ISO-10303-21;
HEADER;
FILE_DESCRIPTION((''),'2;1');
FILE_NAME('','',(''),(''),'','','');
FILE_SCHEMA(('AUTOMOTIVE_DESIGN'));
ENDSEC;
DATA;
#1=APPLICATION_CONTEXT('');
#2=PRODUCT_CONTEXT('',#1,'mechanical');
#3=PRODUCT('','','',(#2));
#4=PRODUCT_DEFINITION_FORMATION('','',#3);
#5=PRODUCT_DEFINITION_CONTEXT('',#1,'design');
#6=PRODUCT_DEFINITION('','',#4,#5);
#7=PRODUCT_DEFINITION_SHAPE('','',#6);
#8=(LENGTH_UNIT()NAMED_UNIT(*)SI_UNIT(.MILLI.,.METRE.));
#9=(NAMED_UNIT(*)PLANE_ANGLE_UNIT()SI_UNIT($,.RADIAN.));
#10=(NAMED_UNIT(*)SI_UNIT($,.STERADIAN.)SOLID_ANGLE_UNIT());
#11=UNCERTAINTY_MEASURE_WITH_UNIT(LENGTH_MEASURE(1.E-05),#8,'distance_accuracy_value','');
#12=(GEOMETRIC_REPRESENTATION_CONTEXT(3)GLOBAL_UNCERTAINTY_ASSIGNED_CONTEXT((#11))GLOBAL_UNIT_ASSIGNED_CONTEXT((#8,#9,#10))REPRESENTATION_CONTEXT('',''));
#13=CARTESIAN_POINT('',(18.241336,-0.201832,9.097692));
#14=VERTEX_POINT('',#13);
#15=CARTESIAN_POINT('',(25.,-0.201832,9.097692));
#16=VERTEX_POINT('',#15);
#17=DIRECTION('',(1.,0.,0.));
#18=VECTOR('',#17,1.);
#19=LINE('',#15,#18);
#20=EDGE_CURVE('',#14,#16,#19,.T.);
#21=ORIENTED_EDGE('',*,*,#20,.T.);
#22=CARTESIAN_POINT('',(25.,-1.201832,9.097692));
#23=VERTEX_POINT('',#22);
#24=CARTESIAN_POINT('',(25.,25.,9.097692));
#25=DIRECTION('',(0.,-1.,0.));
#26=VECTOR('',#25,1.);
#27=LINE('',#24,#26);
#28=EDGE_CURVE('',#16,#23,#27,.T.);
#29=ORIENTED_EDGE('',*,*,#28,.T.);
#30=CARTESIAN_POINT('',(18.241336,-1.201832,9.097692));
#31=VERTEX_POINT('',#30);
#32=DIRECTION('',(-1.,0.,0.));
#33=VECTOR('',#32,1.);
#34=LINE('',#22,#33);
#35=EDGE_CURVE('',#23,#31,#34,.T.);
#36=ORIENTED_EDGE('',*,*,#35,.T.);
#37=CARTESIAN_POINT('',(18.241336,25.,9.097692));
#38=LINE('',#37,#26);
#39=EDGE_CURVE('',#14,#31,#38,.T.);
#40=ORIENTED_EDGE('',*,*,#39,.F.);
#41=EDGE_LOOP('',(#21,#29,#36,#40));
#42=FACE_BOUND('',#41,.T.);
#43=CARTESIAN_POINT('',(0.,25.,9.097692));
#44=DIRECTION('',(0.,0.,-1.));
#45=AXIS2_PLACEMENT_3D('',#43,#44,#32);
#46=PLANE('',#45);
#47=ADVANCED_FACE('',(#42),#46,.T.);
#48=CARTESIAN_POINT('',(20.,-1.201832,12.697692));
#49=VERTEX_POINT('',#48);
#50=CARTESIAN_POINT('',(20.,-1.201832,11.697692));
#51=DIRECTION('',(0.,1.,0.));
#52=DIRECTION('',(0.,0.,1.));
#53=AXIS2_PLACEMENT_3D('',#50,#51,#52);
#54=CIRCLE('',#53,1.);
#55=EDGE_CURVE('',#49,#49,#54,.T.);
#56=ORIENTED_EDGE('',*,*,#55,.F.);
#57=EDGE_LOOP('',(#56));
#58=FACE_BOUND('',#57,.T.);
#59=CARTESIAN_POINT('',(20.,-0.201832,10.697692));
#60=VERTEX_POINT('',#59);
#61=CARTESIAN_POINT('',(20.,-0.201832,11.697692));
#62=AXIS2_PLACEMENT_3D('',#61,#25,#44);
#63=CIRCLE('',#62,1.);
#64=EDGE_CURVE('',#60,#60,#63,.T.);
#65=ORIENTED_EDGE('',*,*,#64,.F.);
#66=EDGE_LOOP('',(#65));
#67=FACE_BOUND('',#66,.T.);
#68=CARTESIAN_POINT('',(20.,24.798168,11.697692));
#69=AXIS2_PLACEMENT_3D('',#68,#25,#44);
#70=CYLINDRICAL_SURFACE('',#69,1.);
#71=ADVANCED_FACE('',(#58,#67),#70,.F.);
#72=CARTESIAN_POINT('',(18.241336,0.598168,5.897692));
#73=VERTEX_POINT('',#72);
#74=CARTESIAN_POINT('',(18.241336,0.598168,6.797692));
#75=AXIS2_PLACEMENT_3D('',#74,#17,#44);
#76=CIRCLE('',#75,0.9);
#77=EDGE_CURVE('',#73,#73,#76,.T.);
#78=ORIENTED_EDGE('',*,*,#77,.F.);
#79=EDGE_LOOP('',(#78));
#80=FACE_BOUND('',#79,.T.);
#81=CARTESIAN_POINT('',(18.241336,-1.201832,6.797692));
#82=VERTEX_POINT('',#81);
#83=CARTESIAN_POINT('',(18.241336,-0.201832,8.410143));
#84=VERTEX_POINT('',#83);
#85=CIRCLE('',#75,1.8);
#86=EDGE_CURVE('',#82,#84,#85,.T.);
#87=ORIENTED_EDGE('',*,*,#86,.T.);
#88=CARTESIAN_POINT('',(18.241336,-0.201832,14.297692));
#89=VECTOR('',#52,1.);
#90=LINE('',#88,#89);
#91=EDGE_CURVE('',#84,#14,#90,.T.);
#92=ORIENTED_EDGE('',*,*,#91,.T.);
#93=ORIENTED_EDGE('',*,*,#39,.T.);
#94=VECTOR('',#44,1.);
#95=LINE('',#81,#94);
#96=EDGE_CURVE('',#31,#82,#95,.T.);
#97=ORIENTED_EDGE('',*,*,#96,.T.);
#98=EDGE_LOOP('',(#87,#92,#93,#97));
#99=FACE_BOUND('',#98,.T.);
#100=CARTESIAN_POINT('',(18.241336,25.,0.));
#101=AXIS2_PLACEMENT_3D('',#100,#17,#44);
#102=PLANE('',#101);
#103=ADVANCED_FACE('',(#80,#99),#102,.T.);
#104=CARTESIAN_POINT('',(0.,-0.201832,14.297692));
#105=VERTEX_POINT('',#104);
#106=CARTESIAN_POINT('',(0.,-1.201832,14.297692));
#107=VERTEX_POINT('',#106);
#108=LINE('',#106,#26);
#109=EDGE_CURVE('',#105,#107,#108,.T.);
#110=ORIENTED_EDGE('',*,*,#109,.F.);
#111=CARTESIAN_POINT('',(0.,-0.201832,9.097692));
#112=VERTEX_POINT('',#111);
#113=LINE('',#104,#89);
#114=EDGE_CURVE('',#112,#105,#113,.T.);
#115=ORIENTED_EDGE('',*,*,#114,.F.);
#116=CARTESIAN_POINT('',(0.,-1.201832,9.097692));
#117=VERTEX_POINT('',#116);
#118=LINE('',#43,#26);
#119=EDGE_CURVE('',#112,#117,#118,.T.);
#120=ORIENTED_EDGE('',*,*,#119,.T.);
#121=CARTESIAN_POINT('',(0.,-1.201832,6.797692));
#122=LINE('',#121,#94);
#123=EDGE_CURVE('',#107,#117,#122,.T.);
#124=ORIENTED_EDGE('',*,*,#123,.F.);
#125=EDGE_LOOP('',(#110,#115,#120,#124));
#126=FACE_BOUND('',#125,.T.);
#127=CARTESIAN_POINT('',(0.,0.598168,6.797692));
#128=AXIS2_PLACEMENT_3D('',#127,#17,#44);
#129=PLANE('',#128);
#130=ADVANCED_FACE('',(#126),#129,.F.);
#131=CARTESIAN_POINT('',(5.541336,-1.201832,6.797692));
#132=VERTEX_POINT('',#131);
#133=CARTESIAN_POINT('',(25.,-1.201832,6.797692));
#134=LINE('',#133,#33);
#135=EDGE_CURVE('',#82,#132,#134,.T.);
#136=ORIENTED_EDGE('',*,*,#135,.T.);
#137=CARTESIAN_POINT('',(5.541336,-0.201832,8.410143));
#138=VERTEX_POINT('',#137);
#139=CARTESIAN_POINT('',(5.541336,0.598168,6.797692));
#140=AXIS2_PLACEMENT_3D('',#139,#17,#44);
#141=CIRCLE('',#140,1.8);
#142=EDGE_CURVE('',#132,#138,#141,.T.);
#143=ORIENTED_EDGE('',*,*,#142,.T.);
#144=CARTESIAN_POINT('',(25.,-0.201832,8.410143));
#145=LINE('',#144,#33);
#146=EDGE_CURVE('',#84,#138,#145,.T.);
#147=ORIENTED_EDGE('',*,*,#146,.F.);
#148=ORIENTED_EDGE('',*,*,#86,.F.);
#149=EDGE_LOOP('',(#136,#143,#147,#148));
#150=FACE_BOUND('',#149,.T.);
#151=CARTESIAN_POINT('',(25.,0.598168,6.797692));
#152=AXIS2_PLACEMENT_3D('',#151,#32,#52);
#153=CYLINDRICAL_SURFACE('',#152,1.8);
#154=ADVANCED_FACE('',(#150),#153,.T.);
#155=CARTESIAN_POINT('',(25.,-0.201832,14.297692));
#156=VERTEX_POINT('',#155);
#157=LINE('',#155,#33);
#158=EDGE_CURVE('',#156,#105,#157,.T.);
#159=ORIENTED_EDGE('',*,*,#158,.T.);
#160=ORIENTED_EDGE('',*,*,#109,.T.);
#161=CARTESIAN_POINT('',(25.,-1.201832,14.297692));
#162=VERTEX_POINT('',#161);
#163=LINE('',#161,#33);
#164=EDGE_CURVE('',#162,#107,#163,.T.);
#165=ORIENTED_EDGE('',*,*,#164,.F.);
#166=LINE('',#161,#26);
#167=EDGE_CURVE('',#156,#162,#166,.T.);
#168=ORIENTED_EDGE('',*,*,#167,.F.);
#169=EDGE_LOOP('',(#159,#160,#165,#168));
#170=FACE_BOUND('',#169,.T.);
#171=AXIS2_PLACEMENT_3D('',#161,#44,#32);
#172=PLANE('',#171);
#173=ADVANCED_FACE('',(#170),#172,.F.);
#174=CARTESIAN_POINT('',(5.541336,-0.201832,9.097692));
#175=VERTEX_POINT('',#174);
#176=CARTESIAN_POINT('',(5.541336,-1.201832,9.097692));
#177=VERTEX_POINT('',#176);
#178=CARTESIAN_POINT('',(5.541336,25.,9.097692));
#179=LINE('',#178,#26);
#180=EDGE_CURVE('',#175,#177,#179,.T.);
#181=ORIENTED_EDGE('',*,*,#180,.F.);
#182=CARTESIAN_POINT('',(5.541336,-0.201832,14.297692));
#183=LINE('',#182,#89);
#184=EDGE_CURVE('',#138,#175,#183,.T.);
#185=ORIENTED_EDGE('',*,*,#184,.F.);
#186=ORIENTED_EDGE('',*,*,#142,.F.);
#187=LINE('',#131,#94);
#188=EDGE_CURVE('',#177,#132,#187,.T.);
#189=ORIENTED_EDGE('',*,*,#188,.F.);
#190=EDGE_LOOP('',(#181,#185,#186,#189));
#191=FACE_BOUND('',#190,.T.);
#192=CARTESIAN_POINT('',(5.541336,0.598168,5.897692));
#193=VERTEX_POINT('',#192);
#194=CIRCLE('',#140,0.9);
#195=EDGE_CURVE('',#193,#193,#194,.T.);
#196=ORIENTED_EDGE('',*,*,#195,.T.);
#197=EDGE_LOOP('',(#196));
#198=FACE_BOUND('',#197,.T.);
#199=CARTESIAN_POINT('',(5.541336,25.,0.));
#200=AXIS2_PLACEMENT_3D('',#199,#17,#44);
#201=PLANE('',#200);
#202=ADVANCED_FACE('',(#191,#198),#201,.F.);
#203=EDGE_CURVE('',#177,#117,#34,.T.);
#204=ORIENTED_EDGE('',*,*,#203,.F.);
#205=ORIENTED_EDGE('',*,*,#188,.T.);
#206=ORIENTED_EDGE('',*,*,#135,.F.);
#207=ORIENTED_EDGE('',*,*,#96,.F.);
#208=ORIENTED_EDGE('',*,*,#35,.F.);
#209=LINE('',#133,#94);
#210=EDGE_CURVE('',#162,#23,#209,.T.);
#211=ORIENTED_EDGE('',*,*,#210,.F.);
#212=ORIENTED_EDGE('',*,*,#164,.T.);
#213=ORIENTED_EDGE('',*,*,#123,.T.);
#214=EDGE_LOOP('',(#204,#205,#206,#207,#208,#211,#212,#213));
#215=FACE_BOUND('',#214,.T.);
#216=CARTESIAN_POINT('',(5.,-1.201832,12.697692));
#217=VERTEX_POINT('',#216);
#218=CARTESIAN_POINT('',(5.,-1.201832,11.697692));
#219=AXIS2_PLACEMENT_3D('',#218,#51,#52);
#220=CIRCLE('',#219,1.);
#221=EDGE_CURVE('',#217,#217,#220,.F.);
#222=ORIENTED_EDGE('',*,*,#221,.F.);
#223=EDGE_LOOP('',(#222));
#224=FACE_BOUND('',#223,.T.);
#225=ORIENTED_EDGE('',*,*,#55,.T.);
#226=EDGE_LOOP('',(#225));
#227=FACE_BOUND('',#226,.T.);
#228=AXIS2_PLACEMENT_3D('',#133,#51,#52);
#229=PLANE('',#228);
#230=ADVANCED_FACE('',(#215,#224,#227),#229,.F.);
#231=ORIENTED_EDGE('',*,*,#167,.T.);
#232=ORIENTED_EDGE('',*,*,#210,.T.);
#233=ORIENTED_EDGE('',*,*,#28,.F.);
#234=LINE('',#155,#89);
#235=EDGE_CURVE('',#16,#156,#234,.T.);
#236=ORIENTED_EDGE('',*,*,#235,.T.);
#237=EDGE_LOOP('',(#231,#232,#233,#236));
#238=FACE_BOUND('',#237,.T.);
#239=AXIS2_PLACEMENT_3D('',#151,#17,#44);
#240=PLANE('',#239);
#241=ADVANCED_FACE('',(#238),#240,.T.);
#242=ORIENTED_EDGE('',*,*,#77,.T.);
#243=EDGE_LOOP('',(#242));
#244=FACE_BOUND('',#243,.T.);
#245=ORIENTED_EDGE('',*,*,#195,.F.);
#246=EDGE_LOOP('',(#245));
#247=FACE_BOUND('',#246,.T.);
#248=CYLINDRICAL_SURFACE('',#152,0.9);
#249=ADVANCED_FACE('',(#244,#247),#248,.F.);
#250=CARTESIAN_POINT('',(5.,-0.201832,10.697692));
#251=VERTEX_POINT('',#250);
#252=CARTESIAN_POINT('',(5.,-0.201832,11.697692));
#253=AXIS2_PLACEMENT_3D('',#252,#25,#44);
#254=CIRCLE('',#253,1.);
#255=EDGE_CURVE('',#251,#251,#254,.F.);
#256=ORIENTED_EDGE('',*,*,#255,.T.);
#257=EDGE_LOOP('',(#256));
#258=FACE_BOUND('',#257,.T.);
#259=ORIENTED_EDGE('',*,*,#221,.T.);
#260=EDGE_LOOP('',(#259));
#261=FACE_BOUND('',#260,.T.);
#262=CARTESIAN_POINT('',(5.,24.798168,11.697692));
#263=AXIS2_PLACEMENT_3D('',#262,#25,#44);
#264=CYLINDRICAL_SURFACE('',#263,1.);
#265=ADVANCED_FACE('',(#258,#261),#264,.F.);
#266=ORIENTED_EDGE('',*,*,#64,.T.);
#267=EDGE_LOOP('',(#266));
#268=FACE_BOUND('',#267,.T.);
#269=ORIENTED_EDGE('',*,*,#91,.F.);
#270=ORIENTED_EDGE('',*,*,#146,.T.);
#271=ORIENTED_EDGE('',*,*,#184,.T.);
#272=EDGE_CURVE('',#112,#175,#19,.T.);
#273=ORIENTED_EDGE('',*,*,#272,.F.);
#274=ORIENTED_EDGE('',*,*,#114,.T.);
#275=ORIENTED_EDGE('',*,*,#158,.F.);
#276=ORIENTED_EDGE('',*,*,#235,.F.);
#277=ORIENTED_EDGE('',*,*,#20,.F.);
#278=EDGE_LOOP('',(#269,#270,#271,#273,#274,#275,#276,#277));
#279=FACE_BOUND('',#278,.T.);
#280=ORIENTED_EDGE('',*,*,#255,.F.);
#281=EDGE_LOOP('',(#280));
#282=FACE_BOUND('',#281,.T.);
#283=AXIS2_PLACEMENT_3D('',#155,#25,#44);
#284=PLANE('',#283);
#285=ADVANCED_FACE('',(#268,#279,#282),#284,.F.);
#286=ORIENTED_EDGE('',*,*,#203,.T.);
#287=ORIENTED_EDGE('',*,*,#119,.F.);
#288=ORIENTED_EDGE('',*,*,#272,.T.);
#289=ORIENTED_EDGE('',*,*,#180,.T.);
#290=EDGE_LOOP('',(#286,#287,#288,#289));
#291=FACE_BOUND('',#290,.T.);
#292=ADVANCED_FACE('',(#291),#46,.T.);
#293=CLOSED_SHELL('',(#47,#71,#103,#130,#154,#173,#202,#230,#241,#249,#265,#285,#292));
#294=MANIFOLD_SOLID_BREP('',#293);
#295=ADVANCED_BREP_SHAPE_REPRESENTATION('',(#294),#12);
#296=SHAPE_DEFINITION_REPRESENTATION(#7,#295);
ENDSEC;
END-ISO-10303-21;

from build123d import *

# Parameters (mm, degrees)
SKETCH1_R               = 0.9
BOSS_EXTRUDE1_DEPTH     = 25
CUT_EXTRUDE1_DEPTH      = 25
CUT_EXTRUDE1_DEPTH_BACK = 25
SKETCH2_W               = 5.541335726
SKETCH2_H               = 4.1
SKETCH2_W_2             = 6.758664274
CUT_EXTRUDE2_DEPTH      = 25
CUT_EXTRUDE2_DEPTH_BACK = 25
SKETCH3_R               = 1


with BuildPart() as part:
    # Sketch1 → Boss-Extrude1 (new body)
    with BuildSketch(Plane(origin=(0, 0, 0), x_dir=(0, 0, -1), z_dir=(1, 0, 0))):
        with BuildLine():
            Line((-6.797691641, -1.201831935), (-14.297691641, -1.201831935))
            Line((-14.297691641, -1.201831935), (-14.297691641, -0.201831935))
            Line((-14.297691641, -0.201831935), (-8.410143191, -0.201831935))
            ThreePointArc((-8.410143191, -0.201831935), (-5.849008343, 2.127873919), (-6.797691641, -1.201831935))
        make_face()
        with Locations((-6.797691641, 0.598168065)):
            Circle(SKETCH1_R, mode=Mode.SUBTRACT)
    extrude(amount=BOSS_EXTRUDE1_DEPTH)

    # Sketch2 → Cut-Extrude1 (cut, two sides: drawn at the far end of the back side and taken through both)
    with BuildSketch(Plane(origin=(0, 0, 0), x_dir=(1, 0, 0), z_dir=(0, 1, 0)).offset(-CUT_EXTRUDE1_DEPTH_BACK)):
        with Locations((2.770667863, -7.047691641)):
            Rectangle(SKETCH2_W, SKETCH2_H)
        with Locations((21.620667863, -7.047691641)):
            Rectangle(SKETCH2_W_2, SKETCH2_H)
    extrude(amount=CUT_EXTRUDE1_DEPTH + CUT_EXTRUDE1_DEPTH_BACK, mode=Mode.SUBTRACT)

    # Sketch3 → Cut-Extrude2 (cut, two sides: drawn at the far end of the back side and taken through both)
    with BuildSketch(Plane(origin=(0, -0.201831935, 0), x_dir=(1, 0, 0), z_dir=(0, 1, 0)).offset(-CUT_EXTRUDE2_DEPTH_BACK)):
        with Locations((5, -11.697691641)):
            Circle(SKETCH3_R)
        with Locations((20, -11.697691641)):
            Circle(SKETCH3_R)
    extrude(amount=CUT_EXTRUDE2_DEPTH + CUT_EXTRUDE2_DEPTH_BACK, mode=Mode.SUBTRACT)


solid = part.part
